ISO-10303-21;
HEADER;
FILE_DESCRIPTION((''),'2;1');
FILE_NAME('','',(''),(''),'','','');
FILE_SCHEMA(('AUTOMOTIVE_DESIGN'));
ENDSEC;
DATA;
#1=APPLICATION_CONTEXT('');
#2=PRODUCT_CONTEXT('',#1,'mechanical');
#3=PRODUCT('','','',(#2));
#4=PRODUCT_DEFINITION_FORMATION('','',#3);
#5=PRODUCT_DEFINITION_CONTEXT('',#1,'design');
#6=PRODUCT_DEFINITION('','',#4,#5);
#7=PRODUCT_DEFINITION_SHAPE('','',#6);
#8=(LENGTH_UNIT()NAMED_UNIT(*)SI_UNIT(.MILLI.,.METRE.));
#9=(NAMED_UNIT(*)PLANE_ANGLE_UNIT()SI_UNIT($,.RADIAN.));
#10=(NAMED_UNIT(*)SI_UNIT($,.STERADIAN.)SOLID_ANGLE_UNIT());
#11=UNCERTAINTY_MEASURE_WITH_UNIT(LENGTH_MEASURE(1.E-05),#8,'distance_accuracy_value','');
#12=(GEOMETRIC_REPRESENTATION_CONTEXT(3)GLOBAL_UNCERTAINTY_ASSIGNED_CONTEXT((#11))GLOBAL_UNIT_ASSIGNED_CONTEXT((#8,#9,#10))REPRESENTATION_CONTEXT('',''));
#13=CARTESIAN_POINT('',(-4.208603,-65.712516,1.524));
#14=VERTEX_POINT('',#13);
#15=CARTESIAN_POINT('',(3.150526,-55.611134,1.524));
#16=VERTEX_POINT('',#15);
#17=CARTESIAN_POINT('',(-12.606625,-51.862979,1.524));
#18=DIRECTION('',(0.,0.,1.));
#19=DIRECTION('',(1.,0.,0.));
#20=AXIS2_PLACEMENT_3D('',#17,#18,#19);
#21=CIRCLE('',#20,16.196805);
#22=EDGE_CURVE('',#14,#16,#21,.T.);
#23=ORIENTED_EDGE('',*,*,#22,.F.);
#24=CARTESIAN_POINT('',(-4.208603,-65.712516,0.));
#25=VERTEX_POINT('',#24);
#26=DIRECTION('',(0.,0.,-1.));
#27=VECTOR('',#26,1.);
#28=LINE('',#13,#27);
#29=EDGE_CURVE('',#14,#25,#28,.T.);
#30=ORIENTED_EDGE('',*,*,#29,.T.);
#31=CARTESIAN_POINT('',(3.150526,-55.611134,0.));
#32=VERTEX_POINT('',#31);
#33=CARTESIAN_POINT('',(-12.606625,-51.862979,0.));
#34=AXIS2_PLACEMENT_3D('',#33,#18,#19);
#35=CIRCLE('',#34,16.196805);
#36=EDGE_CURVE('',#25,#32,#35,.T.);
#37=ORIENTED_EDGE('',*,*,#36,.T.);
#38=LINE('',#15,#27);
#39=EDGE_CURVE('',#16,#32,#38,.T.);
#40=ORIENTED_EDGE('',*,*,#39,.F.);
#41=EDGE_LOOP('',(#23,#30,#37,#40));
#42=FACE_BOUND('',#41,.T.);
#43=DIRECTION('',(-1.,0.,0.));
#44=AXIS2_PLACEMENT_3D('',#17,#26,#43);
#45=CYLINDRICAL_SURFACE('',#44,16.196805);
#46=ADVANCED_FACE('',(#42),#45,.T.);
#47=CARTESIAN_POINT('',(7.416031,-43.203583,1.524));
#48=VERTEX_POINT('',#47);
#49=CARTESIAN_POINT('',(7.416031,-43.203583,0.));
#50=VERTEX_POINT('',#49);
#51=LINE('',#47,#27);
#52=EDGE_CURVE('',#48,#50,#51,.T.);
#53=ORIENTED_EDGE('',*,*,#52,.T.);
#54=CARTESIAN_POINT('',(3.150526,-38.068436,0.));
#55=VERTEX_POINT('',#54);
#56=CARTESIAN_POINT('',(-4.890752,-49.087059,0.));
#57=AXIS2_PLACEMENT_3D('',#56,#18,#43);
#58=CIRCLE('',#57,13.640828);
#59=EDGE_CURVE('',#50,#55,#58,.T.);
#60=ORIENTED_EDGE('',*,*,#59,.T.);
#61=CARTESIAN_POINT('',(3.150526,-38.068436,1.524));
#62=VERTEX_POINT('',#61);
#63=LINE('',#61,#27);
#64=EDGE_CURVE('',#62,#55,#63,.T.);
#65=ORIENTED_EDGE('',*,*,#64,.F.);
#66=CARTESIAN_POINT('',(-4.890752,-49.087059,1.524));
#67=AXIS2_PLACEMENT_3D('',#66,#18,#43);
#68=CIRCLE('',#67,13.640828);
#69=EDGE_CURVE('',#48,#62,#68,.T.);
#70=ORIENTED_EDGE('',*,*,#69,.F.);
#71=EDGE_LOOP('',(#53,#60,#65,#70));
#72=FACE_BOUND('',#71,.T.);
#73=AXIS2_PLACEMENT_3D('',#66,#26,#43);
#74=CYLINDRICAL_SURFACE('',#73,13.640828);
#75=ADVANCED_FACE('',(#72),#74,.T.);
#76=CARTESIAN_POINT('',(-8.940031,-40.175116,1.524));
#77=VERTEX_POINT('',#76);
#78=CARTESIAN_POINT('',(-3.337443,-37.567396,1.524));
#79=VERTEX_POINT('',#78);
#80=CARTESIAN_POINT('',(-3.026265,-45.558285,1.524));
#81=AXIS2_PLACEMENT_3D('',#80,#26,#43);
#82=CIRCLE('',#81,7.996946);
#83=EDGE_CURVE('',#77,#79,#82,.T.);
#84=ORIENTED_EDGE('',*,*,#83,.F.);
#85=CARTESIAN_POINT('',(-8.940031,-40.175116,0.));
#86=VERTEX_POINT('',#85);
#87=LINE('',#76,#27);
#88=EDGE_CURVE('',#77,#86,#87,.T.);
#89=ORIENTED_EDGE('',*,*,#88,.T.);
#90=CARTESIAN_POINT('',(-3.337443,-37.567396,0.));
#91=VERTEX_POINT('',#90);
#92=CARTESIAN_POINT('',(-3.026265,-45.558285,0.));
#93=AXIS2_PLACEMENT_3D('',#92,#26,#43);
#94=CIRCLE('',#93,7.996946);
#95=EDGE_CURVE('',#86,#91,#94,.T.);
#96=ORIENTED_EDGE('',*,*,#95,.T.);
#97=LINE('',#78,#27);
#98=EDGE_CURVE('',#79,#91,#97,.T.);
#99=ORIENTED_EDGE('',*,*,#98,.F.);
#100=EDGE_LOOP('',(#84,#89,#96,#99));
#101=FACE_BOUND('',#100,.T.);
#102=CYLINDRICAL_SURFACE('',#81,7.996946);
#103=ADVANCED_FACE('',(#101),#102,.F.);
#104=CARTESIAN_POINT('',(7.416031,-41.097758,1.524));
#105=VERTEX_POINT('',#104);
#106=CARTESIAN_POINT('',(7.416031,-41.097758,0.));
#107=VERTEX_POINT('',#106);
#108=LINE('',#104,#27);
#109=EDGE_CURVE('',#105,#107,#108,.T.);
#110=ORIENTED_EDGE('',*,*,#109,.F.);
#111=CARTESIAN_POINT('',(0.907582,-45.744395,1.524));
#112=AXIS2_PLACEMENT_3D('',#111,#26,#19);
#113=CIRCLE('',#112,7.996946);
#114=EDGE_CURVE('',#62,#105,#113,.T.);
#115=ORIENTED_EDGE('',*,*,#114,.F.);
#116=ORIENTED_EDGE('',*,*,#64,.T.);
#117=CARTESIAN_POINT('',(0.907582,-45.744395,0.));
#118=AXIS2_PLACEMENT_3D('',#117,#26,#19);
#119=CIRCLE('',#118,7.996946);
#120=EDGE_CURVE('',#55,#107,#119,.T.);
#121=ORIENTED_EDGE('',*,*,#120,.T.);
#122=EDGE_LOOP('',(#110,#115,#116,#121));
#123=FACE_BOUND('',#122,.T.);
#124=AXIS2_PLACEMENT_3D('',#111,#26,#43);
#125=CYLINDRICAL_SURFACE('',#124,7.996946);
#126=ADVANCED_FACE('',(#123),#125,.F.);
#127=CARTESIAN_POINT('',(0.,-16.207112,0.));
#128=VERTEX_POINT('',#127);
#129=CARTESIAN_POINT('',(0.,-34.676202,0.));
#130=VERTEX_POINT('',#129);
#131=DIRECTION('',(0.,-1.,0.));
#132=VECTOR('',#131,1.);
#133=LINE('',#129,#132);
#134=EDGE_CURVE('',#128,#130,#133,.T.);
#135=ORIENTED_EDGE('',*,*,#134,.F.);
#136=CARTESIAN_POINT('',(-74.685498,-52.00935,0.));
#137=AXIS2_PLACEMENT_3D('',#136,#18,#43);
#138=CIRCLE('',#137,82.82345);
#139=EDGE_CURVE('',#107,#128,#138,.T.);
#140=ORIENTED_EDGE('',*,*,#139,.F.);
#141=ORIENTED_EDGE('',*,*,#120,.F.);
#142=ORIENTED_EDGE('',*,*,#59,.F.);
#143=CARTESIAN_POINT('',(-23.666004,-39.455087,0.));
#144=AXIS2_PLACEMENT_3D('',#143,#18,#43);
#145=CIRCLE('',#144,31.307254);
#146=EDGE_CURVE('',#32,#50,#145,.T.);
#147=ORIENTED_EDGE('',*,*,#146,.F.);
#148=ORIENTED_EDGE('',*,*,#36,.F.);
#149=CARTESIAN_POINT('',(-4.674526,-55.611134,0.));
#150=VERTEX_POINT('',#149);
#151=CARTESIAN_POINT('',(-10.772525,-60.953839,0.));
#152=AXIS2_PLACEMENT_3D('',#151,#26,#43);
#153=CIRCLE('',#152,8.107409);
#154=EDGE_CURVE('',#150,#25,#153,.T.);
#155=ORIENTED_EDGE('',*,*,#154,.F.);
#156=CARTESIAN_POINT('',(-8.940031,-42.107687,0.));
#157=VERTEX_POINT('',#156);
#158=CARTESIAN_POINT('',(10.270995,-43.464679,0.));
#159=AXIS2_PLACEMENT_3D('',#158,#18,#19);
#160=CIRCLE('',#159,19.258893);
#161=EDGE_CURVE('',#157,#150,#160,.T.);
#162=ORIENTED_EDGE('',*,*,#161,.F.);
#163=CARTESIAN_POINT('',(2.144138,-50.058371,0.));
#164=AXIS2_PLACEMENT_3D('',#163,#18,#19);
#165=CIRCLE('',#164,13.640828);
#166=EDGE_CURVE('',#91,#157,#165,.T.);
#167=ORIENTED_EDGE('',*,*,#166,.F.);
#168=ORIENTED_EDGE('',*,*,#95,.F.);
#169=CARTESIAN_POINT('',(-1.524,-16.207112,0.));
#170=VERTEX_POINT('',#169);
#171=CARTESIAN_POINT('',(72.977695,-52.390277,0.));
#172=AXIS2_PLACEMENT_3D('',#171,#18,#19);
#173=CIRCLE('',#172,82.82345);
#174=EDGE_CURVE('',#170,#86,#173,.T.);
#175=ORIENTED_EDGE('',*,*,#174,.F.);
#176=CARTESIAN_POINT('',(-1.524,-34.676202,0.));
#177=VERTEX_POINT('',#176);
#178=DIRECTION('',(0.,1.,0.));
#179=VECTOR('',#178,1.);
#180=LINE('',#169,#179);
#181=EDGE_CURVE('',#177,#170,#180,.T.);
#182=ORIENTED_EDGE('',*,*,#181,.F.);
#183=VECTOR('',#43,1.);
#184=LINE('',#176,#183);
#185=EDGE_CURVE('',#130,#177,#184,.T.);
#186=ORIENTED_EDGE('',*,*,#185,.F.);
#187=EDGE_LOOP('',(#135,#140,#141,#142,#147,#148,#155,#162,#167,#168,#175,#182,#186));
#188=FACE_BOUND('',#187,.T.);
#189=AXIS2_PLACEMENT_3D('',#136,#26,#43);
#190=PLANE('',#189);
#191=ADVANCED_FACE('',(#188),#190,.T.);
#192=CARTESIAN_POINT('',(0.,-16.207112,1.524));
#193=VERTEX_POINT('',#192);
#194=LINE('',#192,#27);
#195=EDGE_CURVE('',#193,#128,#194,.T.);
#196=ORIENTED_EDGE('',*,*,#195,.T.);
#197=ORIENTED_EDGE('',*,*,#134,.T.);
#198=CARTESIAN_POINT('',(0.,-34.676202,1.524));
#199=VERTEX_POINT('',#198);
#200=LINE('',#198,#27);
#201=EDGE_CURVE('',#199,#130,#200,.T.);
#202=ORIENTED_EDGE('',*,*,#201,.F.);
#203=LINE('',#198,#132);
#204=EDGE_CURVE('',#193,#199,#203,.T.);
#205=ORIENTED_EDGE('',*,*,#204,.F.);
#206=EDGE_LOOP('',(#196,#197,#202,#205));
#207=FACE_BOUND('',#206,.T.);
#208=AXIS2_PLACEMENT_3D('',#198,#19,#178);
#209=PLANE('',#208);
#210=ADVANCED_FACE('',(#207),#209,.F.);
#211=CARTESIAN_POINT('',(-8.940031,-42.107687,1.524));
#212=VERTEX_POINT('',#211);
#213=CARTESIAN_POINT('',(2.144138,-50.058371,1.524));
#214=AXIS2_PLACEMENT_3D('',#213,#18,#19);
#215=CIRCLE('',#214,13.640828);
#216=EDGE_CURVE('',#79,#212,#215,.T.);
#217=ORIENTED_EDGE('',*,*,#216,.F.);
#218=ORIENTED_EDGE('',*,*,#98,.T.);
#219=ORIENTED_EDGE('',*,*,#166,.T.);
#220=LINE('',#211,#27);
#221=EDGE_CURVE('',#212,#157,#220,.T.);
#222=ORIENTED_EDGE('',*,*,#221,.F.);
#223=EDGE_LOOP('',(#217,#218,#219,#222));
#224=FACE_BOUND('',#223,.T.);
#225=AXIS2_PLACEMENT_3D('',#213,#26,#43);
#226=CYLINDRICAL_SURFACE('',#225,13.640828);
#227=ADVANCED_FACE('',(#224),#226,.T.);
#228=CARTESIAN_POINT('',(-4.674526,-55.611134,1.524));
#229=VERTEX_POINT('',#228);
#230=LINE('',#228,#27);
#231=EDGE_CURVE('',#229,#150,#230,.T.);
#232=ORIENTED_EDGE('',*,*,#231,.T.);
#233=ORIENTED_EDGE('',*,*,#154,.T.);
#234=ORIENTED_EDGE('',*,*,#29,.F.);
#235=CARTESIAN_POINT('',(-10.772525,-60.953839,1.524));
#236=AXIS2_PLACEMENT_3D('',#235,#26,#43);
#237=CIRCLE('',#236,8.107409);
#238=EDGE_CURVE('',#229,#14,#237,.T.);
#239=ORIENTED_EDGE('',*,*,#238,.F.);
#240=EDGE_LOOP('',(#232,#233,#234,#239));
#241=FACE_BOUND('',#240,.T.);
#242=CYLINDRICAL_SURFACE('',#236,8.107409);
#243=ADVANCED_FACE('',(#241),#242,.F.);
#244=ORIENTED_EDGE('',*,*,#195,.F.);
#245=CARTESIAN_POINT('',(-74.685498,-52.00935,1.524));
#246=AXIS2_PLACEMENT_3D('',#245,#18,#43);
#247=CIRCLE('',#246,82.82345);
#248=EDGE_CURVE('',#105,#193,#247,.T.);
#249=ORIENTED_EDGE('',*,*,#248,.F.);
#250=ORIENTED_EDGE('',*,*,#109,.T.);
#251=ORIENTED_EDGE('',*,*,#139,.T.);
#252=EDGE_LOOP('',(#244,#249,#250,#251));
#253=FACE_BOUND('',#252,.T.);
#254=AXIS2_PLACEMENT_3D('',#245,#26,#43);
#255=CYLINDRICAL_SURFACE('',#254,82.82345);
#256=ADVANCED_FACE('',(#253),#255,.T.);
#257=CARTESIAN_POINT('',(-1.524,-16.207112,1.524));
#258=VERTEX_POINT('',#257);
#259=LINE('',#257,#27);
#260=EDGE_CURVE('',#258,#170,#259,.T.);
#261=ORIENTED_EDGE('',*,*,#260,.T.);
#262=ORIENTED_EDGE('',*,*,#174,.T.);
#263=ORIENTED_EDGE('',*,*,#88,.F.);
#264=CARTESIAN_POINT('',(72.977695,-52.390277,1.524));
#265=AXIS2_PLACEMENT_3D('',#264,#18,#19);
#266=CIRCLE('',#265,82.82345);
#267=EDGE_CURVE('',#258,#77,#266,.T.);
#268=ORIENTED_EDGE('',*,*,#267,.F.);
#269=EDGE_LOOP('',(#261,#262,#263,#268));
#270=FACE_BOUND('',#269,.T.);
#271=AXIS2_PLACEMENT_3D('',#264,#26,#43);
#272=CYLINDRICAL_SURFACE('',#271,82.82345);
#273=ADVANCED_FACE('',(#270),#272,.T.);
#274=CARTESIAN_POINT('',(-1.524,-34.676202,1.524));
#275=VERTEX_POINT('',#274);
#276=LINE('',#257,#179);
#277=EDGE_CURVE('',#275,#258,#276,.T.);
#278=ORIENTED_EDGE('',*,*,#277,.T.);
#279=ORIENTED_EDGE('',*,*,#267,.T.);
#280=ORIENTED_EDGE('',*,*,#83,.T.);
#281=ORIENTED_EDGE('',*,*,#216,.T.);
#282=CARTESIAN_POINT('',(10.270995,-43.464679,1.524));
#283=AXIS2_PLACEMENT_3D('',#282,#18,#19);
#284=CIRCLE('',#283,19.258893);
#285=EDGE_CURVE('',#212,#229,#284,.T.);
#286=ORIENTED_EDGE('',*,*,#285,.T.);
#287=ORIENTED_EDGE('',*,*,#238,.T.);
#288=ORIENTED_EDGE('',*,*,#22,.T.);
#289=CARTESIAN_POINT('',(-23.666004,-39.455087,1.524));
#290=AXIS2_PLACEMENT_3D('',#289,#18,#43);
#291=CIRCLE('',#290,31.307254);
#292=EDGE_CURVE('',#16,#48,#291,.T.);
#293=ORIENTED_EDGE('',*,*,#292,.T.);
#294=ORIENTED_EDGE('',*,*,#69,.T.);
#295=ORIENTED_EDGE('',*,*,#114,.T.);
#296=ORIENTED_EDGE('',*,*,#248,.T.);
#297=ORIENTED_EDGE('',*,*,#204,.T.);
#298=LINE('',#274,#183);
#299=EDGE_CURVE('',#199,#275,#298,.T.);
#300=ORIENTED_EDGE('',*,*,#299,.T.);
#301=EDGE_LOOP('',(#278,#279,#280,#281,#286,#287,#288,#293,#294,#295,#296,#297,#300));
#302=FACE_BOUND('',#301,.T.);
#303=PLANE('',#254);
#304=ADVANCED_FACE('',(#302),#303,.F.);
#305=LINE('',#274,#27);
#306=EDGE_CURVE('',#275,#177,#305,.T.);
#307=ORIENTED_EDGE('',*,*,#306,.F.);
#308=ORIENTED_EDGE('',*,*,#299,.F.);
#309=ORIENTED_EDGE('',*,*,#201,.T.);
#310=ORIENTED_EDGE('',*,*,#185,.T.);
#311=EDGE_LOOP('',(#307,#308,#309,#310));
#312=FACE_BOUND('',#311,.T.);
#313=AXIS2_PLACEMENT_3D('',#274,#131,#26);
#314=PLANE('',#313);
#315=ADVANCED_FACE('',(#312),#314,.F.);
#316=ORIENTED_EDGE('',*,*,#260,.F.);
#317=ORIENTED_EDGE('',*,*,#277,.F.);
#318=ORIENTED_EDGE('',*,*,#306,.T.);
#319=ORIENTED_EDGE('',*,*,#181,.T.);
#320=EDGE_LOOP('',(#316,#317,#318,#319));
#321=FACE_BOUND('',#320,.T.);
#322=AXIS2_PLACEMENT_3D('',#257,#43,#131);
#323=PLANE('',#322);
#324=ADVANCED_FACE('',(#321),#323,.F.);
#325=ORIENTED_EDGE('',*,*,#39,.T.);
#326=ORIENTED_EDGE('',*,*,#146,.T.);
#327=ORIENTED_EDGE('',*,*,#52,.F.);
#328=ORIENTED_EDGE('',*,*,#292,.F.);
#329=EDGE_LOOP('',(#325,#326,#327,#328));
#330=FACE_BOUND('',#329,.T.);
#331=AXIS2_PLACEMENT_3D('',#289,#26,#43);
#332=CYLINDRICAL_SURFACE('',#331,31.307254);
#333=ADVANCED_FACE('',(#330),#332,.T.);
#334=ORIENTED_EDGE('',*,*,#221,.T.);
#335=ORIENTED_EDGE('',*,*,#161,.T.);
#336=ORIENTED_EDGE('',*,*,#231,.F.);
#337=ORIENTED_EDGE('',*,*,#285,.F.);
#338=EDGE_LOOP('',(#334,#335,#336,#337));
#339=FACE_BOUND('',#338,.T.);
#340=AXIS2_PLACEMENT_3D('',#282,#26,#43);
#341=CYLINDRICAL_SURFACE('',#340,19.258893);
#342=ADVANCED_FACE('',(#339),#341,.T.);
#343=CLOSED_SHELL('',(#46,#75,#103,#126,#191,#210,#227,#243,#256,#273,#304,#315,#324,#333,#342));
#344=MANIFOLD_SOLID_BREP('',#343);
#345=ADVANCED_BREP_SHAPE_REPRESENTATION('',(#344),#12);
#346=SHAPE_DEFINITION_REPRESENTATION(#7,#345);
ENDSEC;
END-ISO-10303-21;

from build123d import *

# Parameters (mm, degrees)
BOSS_EXTRUDE1_DEPTH = 1.524


with BuildPart() as part:
    # Sketch1 → Boss-Extrude1 (new body)
    with BuildSketch(Plane.XY):
        with BuildLine():
            Line((-1.524, -34.676201819), (0, -34.676201819))
            Line((0, -34.676201819), (0, -16.207111739))
            ThreePointArc((0, -16.207111739), (4.689743942, -28.359934479), (7.416031026, -41.097758371))
            ThreePointArc((7.416031026, -41.097758371), (5.538015882, -39.224408686), (3.150525994, -38.068436386))
            ThreePointArc((3.150525994, -38.068436386), (5.602261388, -40.371046875), (7.416031026, -43.203583054))
            ThreePointArc((7.416031026, -43.203583054), (5.940545724, -49.63331575), (3.150525994, -55.611133859))
            ThreePointArc((3.150525994, -55.611133859), (0.484501077, -61.400215867), (-4.208602653, -65.7125165))
            ThreePointArc((-4.208602653, -65.7125165), (-2.673725859, -60.580284143), (-4.674525994, -55.611133859))
            ThreePointArc((-4.674525994, -55.611133859), (-8.093459753, -49.265692558), (-8.940031026, -42.107686522))
            ThreePointArc((-8.940031026, -42.107686522), (-6.444201433, -39.460606713), (-3.337442556, -37.567396171))
            ThreePointArc((-3.337442556, -37.567396171), (-6.400806633, -38.308208766), (-8.940031026, -40.1751159))
            ThreePointArc((-8.940031026, -40.1751159), (-6.144837349, -27.908674155), (-1.524, -16.207111739))
            Line((-1.524, -16.207111739), (-1.524, -34.676201819))
        make_face()
    extrude(amount=BOSS_EXTRUDE1_DEPTH)


solid = part.part
